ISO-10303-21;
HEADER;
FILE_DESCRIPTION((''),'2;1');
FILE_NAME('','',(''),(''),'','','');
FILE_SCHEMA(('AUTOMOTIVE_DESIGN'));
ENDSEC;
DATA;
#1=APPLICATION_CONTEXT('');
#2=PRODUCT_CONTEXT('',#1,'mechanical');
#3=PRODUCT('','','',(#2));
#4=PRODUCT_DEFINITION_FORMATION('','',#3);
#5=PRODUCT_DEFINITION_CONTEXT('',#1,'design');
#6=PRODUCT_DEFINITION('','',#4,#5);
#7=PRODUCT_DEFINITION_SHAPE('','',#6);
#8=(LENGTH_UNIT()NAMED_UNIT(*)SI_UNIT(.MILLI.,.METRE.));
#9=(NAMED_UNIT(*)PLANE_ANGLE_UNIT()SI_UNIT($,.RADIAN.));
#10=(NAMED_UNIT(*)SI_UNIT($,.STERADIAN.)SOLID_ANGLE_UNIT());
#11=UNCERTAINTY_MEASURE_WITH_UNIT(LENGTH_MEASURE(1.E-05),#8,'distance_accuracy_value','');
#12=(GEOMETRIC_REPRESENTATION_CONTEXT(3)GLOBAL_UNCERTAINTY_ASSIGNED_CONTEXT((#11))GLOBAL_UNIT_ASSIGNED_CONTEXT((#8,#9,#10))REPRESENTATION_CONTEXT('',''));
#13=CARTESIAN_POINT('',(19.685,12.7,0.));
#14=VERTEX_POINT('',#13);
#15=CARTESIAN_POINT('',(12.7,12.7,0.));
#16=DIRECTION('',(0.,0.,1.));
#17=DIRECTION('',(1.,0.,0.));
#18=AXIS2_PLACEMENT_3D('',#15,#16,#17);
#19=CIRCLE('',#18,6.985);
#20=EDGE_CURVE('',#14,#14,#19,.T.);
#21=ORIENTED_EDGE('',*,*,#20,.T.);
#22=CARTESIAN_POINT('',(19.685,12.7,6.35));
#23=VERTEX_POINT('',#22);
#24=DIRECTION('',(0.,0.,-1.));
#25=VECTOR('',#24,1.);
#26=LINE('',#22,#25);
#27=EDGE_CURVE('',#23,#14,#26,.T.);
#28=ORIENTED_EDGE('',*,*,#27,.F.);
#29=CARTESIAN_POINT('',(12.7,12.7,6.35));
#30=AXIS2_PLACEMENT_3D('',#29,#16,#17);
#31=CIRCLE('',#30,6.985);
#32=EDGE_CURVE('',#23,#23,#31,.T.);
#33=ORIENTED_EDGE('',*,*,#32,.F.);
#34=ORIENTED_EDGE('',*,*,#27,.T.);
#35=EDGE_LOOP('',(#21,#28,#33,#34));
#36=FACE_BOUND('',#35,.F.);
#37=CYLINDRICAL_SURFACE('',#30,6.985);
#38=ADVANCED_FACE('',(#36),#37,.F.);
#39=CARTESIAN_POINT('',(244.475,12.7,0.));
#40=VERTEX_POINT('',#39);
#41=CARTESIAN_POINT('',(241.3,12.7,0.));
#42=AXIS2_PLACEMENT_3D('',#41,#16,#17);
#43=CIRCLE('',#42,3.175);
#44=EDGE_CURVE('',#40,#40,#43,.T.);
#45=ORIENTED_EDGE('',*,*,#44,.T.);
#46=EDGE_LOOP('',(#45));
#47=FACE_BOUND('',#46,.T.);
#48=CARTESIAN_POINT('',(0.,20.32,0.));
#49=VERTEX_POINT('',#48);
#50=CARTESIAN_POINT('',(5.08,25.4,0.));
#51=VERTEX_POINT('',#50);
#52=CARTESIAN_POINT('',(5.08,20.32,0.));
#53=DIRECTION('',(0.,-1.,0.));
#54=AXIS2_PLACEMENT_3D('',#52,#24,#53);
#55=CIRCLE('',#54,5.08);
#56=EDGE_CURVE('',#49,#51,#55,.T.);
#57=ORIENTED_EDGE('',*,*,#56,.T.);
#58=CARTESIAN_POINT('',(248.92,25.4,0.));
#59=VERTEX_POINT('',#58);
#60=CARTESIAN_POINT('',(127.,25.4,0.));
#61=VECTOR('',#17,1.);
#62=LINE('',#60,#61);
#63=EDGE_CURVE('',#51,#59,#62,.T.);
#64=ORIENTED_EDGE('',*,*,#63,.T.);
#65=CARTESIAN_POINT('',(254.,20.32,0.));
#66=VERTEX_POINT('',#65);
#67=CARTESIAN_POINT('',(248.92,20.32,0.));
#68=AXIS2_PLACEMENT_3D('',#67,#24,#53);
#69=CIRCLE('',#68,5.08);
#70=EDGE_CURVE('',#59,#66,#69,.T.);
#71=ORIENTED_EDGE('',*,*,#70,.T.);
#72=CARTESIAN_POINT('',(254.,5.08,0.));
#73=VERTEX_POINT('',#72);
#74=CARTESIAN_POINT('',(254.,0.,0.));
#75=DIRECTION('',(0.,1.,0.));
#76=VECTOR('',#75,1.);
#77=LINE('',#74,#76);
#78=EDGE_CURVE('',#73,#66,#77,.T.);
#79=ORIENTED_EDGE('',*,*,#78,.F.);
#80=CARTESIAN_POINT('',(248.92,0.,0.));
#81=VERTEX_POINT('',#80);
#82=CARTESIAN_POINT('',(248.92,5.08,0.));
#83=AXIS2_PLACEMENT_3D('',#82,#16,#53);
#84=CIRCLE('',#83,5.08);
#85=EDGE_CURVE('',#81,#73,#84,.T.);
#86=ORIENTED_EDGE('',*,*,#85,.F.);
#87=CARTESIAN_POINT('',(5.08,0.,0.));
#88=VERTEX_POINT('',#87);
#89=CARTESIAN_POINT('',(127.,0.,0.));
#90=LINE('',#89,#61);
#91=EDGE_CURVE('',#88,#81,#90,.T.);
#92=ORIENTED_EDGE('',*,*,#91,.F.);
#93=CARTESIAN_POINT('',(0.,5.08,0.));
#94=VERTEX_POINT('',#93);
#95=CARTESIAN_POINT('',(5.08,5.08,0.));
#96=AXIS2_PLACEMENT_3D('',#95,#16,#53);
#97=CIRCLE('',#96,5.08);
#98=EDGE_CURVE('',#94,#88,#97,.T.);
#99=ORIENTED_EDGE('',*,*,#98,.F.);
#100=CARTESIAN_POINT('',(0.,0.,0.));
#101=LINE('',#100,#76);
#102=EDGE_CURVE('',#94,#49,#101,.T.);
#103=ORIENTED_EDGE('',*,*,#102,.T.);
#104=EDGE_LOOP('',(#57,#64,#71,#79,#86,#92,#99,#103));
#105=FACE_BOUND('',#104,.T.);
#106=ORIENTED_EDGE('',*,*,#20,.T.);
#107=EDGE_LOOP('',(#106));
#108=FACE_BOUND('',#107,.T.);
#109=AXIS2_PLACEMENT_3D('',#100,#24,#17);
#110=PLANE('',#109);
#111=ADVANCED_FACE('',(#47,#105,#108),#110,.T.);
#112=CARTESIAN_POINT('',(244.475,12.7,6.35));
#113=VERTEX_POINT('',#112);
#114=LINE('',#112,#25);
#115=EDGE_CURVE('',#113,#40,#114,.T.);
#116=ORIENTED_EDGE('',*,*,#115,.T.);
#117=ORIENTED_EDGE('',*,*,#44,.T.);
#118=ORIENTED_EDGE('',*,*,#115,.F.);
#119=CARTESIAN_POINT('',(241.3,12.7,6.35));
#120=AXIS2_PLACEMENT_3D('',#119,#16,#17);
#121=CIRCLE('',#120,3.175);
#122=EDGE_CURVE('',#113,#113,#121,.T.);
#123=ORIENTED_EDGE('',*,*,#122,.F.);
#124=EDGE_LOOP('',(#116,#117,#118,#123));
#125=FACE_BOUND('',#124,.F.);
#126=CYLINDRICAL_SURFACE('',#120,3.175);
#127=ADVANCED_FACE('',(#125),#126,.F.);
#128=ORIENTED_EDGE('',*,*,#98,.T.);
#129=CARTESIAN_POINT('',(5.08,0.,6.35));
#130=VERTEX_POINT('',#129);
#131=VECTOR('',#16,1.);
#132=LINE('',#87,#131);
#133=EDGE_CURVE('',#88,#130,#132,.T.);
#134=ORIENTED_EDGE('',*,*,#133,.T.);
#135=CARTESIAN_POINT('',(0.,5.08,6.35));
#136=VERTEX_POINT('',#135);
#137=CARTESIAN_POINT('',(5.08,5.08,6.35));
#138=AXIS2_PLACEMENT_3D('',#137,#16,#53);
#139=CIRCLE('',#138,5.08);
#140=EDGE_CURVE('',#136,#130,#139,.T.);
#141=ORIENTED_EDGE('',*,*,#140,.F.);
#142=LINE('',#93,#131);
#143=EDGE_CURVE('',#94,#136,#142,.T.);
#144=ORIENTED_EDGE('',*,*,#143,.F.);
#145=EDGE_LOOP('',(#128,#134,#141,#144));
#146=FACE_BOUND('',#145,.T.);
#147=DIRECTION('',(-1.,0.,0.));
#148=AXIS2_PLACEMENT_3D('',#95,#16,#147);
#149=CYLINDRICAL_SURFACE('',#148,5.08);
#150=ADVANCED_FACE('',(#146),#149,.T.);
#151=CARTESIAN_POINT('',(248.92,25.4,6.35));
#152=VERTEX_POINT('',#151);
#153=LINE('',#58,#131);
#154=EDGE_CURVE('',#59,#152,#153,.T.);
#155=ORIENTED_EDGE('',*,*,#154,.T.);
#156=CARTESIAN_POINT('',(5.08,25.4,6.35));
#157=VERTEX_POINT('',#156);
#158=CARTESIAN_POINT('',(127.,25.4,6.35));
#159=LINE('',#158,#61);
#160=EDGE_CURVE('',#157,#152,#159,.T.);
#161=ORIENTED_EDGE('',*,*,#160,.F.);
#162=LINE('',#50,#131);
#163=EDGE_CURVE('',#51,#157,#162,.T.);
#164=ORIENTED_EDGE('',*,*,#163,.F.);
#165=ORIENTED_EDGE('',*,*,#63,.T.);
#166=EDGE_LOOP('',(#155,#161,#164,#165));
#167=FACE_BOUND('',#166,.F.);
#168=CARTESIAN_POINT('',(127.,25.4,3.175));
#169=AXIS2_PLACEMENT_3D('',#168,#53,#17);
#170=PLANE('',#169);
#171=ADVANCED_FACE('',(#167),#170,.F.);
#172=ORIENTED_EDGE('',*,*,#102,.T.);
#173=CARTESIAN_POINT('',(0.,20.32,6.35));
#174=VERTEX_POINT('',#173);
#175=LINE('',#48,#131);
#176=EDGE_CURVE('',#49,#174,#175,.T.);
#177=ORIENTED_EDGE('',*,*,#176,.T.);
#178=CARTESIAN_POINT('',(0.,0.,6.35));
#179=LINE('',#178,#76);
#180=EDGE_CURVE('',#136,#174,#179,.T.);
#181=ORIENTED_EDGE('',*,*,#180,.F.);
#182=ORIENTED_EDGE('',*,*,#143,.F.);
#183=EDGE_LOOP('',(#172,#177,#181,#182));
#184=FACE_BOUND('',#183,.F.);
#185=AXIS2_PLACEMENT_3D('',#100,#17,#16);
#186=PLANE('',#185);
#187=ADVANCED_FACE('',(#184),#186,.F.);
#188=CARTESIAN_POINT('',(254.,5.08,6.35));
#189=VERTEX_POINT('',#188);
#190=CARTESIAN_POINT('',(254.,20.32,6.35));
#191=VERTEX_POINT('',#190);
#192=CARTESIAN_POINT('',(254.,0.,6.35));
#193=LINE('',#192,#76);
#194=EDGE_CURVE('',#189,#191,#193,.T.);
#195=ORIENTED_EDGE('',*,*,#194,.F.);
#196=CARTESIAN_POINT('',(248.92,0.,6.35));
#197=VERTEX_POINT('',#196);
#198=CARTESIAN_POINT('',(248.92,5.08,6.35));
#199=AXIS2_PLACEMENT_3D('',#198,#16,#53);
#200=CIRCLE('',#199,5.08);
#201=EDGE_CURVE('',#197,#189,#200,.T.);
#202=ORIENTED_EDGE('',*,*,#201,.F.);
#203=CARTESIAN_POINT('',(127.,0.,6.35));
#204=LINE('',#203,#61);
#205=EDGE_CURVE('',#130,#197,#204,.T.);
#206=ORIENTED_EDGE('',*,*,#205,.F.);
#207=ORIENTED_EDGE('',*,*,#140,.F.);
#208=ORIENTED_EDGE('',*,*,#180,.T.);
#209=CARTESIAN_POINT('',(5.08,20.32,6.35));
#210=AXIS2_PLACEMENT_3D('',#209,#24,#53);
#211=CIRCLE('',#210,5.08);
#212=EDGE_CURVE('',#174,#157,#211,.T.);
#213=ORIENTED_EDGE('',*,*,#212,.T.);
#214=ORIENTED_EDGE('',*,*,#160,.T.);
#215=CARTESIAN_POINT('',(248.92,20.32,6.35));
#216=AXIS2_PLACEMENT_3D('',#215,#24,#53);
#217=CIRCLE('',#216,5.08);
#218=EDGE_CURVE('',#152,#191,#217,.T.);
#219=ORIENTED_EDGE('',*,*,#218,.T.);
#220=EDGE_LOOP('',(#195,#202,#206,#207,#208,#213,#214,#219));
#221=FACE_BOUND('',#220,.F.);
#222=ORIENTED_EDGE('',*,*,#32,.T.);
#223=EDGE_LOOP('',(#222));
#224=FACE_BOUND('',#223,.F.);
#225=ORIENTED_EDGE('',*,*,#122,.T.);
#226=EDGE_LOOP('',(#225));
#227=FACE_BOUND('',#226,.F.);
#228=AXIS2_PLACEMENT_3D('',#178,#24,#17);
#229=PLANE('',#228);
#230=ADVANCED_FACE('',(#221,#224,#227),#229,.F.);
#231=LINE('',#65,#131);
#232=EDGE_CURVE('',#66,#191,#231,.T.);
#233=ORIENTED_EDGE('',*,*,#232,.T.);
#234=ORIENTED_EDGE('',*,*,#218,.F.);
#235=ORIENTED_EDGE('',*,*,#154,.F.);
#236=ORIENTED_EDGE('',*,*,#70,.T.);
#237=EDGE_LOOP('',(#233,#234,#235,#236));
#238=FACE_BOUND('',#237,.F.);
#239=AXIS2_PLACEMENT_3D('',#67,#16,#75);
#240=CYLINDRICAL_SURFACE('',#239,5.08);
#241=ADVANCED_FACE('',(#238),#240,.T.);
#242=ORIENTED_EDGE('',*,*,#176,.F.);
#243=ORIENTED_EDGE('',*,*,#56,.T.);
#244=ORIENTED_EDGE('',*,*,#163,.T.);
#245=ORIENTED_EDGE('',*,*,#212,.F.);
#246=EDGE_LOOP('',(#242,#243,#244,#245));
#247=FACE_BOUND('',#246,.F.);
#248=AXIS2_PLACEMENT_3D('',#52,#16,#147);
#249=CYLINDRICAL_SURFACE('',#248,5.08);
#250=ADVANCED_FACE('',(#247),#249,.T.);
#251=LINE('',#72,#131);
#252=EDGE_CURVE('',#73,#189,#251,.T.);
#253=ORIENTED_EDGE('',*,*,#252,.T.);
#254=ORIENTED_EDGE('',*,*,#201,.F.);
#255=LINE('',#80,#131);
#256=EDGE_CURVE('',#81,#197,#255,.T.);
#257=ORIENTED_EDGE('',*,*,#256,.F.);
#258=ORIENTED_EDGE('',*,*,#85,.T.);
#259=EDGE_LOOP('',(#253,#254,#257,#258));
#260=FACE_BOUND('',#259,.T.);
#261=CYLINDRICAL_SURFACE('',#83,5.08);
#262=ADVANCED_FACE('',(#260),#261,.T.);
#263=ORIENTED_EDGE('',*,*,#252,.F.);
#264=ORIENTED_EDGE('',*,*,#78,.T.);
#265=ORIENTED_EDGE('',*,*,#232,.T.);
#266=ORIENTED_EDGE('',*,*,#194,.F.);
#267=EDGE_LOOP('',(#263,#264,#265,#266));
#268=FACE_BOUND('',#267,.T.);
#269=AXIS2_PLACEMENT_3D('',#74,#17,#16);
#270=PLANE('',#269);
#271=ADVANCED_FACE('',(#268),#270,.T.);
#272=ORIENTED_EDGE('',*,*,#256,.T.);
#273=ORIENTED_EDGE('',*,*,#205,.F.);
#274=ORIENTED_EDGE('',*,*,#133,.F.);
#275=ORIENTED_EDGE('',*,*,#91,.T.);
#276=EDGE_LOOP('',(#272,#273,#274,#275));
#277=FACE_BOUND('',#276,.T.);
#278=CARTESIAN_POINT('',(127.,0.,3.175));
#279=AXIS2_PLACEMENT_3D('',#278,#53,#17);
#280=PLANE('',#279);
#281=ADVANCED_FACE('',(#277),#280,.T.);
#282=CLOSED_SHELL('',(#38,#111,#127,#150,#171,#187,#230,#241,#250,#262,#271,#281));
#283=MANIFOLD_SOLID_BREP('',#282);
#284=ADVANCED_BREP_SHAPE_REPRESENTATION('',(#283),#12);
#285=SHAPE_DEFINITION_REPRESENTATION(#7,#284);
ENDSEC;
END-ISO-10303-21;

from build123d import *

# Parameters (mm, degrees)
F0_W     = 254
F0_H     = 6.35
F1_DEPTH = 25.4
F2_R     = 6.985
F2_R_2   = 3.175
F3_DEPTH = 25.4
F4_R     = 5.08


with BuildPart() as f1:
    # F0 (on Front) → F1 (new body)
    with BuildSketch(Plane.XZ):
        with Locations((127, 3.175)):
            Rectangle(F0_W, F0_H)
    extrude(amount=-F1_DEPTH)

    # F2 (on face) → F3 (cut)
    with BuildSketch(Plane.XY.offset(6.35)):
        with Locations((12.7, 12.7)):
            Circle(F2_R)
        with Locations((241.3, 12.7)):
            Circle(F2_R_2)
    extrude(amount=-F3_DEPTH, mode=Mode.SUBTRACT)

    # F4
    f4_edges = [f1.edges().sort_by_distance(p)[0] for p in [
        (254, 0, 3.175),
        (254, 25.4, 3.175),
        (0, 0, 3.175),
        (0, 25.4, 3.175),
    ]]
    fillet(f4_edges, radius=F4_R)


solid = f1.part
